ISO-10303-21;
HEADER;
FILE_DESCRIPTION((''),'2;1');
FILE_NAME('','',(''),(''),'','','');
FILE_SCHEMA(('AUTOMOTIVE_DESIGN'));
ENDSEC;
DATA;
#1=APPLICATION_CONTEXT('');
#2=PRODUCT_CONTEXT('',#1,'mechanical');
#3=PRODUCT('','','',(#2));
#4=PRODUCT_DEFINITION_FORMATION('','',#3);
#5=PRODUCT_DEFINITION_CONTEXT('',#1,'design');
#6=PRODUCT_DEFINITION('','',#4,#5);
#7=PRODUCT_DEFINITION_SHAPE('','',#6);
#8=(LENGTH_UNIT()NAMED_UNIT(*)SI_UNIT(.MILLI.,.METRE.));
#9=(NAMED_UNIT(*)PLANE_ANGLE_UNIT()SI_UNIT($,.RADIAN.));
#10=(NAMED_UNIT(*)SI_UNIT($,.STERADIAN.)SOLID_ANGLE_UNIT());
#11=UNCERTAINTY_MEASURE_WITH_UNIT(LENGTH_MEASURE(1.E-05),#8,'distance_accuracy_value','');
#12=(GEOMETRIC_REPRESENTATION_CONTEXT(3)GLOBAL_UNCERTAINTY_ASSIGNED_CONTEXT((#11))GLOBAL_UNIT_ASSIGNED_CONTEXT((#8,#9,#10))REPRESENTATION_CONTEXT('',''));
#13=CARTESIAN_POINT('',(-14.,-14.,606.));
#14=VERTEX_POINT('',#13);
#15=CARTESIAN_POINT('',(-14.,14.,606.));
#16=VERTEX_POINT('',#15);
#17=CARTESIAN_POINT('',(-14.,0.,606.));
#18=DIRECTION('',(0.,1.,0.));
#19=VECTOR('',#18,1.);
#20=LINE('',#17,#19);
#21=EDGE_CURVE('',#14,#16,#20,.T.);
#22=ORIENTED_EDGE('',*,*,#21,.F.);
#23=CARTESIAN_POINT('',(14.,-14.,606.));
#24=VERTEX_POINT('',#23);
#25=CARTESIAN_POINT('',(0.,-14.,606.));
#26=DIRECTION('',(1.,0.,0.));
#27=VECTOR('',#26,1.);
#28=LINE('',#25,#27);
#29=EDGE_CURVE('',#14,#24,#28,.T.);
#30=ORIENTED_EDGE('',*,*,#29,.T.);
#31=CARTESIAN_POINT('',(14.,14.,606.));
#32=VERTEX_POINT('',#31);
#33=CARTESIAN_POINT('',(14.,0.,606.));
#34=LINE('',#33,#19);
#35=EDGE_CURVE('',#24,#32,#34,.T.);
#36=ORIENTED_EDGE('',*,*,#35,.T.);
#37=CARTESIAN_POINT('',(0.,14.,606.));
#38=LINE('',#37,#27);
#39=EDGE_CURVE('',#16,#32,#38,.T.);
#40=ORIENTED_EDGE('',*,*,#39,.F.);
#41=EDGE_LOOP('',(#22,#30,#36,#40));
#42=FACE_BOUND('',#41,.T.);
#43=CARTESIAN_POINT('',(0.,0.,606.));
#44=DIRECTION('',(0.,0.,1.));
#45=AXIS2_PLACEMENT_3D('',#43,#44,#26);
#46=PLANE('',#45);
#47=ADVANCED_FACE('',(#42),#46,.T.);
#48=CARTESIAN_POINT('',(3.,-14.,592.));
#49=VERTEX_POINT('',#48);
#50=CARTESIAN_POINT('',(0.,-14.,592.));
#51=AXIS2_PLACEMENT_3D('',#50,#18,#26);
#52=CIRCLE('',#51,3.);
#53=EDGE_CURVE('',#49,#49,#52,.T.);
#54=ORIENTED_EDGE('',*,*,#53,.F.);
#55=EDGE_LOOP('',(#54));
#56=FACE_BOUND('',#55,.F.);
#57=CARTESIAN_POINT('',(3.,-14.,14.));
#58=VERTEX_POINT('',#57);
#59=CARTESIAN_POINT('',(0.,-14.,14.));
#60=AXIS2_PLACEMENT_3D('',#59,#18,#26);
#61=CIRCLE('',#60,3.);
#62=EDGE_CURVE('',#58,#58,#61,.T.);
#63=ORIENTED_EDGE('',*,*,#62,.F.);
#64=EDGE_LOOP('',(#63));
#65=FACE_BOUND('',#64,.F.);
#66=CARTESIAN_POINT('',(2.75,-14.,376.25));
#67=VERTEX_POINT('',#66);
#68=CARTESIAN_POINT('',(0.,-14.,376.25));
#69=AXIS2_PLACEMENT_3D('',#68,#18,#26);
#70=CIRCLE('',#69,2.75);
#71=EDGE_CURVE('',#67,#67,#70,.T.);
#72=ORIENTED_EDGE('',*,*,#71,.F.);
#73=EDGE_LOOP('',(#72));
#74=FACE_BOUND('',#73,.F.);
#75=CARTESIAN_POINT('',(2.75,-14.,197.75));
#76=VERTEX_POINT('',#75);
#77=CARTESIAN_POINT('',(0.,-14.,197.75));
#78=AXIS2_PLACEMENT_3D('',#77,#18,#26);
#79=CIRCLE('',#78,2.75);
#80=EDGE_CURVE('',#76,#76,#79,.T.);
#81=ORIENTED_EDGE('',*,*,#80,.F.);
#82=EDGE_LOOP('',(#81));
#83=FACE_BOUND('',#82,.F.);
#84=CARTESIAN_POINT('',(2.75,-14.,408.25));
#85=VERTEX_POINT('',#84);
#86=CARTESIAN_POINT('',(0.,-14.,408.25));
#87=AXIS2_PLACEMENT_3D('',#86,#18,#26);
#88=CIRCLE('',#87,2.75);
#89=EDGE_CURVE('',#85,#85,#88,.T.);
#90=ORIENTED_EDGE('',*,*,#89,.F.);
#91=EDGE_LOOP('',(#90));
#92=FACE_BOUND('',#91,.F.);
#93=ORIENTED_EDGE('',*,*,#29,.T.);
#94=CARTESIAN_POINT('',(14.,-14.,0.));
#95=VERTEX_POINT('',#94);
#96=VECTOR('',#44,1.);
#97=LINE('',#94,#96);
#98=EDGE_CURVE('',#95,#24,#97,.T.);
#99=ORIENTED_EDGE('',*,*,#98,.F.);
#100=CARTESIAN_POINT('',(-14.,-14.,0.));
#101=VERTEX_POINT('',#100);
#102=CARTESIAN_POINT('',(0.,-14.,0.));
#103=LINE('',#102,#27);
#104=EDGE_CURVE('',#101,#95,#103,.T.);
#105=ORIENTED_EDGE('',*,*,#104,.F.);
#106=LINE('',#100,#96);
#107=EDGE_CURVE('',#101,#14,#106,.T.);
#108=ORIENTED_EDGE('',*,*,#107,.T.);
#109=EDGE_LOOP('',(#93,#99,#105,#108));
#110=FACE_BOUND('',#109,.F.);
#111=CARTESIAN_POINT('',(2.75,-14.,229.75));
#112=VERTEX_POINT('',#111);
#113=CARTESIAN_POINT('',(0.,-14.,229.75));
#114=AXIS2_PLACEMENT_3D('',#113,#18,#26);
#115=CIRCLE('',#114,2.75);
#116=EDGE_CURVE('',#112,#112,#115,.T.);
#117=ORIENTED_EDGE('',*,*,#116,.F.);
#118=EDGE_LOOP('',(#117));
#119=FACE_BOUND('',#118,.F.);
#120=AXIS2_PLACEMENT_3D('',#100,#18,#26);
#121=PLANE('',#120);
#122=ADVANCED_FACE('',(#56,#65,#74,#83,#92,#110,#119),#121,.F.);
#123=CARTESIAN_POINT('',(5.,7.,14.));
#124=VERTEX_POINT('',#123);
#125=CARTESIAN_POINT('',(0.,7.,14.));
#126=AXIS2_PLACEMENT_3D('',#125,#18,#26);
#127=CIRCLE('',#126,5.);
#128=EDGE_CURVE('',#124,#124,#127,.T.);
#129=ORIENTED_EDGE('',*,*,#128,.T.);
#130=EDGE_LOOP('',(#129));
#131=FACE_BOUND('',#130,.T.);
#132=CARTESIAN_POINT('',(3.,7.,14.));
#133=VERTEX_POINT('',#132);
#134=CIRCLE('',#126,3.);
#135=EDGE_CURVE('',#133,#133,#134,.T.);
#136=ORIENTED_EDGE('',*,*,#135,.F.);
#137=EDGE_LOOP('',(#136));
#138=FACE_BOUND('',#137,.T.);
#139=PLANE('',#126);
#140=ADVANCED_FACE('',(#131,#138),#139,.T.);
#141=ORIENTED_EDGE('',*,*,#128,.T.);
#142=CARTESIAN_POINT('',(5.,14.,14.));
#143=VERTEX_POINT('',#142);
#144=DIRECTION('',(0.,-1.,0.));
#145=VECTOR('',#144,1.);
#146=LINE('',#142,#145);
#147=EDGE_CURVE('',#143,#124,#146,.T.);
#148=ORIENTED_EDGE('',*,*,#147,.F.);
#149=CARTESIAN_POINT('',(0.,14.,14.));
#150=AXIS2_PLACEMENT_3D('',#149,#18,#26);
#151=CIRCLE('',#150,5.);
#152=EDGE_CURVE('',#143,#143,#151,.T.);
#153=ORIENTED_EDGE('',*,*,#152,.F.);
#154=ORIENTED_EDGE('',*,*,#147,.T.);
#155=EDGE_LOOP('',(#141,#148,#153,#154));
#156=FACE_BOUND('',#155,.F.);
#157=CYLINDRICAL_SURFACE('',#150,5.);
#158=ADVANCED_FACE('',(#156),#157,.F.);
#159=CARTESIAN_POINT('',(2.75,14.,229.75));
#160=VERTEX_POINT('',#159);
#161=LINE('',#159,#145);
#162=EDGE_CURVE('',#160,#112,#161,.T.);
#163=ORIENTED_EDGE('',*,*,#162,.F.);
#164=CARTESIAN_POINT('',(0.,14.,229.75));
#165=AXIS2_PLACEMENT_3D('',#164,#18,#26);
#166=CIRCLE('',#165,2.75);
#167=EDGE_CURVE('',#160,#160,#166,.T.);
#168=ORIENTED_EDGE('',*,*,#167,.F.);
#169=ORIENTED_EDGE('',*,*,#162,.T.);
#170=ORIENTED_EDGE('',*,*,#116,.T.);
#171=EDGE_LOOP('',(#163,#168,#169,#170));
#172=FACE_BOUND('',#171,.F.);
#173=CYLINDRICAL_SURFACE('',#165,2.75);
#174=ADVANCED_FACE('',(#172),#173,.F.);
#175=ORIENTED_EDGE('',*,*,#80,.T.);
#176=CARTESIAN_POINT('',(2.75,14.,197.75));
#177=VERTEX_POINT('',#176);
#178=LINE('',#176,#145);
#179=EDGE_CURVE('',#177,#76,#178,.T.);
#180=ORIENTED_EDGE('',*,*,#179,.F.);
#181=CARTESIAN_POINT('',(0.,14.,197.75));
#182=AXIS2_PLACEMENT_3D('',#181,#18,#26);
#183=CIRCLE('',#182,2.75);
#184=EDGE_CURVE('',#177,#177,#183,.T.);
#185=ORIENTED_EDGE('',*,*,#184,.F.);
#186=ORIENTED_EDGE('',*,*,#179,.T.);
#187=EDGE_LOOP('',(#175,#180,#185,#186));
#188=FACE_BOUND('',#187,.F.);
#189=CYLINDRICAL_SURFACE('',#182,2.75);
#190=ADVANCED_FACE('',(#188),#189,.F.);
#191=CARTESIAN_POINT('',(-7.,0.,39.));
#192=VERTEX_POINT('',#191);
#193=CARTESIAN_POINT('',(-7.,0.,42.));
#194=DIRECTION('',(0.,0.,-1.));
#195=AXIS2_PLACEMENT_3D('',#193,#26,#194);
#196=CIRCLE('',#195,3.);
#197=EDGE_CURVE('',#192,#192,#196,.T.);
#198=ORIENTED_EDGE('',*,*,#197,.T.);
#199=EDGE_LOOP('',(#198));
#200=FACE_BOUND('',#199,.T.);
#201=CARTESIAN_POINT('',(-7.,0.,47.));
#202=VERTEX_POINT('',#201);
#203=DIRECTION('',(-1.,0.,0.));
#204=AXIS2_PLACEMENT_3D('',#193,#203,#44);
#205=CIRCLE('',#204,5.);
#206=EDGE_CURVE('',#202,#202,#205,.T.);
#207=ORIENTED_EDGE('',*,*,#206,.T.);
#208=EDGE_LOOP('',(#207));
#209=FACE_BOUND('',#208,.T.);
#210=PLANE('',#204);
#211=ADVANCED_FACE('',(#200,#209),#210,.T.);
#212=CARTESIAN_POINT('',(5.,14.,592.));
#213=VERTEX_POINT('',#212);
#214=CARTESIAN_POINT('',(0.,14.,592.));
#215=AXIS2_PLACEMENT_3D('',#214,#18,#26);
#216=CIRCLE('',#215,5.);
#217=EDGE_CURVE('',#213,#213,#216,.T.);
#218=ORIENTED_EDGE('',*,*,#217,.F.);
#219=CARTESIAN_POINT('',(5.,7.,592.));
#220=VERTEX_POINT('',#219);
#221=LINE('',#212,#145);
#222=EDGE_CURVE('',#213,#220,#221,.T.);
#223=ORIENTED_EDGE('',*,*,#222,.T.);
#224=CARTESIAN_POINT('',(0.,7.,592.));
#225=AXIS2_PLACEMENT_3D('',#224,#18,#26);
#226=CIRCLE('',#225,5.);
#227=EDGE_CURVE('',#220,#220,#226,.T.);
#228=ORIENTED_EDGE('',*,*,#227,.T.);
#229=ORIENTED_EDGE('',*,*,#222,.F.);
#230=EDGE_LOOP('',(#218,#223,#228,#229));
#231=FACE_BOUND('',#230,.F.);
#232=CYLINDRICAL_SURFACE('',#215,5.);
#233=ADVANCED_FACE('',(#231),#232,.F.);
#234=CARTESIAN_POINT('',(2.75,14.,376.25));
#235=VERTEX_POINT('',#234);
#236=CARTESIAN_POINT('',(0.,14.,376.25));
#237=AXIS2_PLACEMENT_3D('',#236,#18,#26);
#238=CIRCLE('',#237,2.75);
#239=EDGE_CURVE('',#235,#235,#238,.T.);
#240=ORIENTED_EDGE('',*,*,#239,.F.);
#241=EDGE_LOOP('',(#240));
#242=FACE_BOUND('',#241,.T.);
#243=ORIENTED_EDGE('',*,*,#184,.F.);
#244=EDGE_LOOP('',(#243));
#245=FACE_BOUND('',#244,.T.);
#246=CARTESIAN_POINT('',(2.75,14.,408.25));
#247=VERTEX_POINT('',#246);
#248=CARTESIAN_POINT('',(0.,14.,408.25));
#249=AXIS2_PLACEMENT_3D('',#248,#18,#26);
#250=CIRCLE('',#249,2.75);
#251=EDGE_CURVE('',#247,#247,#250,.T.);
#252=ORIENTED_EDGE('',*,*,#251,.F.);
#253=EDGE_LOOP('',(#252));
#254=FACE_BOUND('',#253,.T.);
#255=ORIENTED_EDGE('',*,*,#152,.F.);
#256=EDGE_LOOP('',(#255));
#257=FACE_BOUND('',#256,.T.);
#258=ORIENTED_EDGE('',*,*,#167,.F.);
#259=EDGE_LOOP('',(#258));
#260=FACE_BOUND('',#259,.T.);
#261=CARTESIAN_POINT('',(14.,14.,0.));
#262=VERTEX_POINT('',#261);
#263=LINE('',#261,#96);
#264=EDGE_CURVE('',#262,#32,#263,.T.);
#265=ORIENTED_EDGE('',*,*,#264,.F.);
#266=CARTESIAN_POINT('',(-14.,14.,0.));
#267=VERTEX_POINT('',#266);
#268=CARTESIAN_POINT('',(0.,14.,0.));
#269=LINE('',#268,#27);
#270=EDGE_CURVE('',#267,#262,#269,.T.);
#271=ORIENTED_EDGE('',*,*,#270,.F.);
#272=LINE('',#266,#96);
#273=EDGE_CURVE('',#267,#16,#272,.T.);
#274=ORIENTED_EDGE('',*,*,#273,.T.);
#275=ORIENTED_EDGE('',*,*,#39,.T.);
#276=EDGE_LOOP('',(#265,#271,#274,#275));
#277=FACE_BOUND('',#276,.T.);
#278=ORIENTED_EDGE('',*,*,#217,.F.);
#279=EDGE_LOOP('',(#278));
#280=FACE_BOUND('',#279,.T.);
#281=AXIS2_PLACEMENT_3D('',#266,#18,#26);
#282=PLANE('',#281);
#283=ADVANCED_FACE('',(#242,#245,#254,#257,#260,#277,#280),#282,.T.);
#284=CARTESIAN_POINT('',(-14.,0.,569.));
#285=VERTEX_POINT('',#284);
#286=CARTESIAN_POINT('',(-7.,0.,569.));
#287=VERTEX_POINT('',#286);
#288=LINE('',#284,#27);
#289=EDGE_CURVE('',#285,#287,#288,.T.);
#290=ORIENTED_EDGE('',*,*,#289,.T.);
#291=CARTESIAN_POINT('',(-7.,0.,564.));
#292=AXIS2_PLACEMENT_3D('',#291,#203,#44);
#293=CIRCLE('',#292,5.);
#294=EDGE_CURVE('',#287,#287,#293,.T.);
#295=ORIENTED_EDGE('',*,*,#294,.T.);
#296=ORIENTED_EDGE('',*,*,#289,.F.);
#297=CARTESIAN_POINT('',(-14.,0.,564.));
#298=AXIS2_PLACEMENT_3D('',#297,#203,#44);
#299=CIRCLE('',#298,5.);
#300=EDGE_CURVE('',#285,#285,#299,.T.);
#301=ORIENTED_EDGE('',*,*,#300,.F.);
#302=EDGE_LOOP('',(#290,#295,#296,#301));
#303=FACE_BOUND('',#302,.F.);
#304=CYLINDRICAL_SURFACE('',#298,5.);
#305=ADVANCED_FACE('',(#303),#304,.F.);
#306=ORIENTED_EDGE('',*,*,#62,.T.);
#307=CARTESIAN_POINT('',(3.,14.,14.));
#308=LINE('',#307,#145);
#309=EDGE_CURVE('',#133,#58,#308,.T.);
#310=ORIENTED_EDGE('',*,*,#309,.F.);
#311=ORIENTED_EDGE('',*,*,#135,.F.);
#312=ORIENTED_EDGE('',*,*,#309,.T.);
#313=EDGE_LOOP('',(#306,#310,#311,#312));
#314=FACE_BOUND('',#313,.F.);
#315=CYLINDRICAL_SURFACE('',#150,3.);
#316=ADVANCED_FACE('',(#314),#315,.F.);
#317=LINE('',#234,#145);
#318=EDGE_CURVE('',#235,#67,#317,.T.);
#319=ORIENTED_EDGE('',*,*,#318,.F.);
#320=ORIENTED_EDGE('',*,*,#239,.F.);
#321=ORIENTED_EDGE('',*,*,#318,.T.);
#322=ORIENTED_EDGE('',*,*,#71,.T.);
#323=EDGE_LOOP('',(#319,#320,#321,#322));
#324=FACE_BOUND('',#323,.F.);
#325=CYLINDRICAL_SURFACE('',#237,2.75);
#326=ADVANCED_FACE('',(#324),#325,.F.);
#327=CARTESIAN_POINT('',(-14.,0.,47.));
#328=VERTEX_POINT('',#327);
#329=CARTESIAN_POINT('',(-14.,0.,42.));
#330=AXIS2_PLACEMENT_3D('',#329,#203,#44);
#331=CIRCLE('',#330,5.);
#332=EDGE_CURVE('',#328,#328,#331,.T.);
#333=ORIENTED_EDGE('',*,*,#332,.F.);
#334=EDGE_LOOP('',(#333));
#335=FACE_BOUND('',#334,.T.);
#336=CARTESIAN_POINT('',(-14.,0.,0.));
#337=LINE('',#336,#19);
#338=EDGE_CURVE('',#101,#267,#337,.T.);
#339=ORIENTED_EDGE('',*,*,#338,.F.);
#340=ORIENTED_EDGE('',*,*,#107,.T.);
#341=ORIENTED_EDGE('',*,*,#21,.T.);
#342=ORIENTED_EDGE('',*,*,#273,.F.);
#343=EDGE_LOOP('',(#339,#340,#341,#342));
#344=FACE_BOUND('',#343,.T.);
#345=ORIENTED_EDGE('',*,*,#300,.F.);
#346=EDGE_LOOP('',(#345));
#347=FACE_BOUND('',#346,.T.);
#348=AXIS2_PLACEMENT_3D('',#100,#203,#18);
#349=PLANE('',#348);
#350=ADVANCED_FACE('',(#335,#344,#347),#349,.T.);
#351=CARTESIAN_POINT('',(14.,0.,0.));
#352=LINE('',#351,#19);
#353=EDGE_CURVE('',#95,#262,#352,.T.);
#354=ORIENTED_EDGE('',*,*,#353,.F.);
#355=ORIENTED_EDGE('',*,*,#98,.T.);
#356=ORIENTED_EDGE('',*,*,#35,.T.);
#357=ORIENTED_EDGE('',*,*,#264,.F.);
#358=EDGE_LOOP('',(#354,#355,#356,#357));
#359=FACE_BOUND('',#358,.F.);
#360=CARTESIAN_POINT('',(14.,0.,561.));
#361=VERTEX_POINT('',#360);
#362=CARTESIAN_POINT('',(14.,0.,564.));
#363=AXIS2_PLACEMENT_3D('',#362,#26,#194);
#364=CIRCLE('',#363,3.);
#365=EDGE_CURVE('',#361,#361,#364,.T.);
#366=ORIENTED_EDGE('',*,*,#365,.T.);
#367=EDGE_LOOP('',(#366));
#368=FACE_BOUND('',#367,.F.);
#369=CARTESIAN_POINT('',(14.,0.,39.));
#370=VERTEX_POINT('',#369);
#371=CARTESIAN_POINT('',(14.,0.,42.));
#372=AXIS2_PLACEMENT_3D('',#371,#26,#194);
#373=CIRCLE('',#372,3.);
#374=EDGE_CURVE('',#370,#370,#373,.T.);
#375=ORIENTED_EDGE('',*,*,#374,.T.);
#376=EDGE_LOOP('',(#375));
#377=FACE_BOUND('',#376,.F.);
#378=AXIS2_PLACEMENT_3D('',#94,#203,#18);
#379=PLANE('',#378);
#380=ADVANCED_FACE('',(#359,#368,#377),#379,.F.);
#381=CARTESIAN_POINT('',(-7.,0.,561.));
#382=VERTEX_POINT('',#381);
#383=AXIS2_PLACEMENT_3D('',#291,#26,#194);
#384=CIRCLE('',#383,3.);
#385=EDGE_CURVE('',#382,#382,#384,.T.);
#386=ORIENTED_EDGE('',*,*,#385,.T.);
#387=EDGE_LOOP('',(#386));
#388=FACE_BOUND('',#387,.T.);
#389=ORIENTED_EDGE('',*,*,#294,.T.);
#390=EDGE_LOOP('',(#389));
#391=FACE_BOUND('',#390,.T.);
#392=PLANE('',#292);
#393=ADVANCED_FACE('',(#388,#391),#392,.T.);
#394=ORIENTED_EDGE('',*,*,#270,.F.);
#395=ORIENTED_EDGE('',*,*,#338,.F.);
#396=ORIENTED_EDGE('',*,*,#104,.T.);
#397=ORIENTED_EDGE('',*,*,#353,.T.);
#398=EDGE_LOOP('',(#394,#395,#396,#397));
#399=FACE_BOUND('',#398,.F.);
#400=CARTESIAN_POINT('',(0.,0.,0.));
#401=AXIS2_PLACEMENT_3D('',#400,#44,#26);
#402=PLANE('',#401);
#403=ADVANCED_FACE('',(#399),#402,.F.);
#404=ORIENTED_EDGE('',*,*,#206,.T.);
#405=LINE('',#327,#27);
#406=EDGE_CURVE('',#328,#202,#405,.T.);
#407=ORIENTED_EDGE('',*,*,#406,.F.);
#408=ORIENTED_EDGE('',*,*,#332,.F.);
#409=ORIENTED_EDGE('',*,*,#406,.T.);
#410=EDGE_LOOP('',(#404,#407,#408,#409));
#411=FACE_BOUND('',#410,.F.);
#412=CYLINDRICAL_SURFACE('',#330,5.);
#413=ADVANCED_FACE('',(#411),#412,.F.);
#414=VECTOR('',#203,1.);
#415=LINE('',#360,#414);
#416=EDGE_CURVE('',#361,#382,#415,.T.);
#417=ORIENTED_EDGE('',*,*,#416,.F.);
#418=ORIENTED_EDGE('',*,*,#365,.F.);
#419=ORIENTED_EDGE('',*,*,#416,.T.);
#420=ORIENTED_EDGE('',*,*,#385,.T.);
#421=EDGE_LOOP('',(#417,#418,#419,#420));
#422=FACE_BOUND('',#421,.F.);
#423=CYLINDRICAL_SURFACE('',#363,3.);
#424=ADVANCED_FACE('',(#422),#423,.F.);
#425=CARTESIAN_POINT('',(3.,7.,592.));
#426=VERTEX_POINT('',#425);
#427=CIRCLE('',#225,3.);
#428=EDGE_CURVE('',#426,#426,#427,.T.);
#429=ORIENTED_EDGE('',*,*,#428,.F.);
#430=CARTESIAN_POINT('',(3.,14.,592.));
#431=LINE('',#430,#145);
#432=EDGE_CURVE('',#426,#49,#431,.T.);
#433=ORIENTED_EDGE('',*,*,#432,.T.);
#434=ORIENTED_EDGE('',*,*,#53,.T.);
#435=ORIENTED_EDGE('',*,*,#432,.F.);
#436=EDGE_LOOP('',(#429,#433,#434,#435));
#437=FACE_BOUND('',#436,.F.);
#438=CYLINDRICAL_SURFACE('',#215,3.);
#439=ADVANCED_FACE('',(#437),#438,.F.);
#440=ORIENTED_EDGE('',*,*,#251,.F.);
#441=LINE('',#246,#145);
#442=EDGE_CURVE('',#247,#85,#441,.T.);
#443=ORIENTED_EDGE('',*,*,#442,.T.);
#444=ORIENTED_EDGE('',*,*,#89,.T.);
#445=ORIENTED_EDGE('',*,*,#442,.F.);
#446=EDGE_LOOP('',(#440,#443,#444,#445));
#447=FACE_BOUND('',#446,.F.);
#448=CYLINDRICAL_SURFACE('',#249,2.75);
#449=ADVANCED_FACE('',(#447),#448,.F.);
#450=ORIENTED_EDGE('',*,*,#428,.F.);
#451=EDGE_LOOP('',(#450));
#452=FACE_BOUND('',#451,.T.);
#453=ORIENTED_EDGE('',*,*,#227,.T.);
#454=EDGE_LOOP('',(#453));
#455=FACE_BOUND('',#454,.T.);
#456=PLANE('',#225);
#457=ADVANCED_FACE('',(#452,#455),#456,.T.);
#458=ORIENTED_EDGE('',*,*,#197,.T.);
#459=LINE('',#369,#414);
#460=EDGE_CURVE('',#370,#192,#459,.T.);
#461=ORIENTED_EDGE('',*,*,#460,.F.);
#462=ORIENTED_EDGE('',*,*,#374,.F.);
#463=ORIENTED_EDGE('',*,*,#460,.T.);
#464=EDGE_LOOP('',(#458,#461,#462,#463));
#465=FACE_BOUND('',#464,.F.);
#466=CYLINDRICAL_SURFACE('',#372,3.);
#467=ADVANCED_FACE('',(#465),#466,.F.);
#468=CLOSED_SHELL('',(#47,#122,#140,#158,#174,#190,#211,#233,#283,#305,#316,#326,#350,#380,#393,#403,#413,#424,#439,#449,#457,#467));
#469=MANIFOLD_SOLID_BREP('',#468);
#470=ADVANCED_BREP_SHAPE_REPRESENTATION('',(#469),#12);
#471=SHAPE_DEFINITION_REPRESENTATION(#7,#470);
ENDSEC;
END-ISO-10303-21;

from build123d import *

# Parameters (mm, degrees)
IZIM1_W                     = 28
IZIM1_H                     = 28
Y_KSEKLIK_EKSTR_ZYON1_DEPTH = 606
IZIM2_R                     = 3
KES_EKSTR_ZYON1_DEPTH       = 40
IZIM4_R                     = 5
KES_EKSTR_ZYON2_DEPTH       = 7
IZIM5_R                     = 3
KES_EKSTR_ZYON3_DEPTH       = 1
KES_EKSTR_ZYON3_DEPTH_BACK  = 29
IZIM6_R                     = 5
KES_EKSTR_ZYON4_DEPTH       = 7
IZIM8_R                     = 2.75
KES_EKSTR_ZYON6_DEPTH       = 29


with BuildPart() as part:
    # Çizim1 → Yükseklik-Ekstrüzyon1 (new body)
    with BuildSketch(Plane.XY):
        Rectangle(IZIM1_W, IZIM1_H)
    extrude(amount=Y_KSEKLIK_EKSTR_ZYON1_DEPTH)

    # Çizim2 → Kes-Ekstrüzyon1 (cut)
    with BuildSketch(Plane(origin=(14, 0, 0), x_dir=(0, 0, -1), z_dir=(1, 0, 0))):
        with Locations((-42, 0)):
            Circle(IZIM2_R)
        with Locations((-564, 0)):
            Circle(IZIM2_R)
    extrude(amount=-KES_EKSTR_ZYON1_DEPTH, mode=Mode.SUBTRACT)

    # Çizim4 → Kes-Ekstrüzyon2 (cut)
    with BuildSketch(Plane.ZY.offset(14)):
        with Locations((42, 0)):
            Circle(IZIM4_R)
        with Locations((564, 0)):
            Circle(IZIM4_R)
    extrude(amount=-KES_EKSTR_ZYON2_DEPTH, mode=Mode.SUBTRACT)

    # Çizim5 → Kes-Ekstrüzyon3 (cut, two sides)
    with BuildSketch(Plane(origin=(0, 14, 0), x_dir=(1, 0, 0), z_dir=(0, 1, 0))) as kes_ekstr_zyon3_sk:
        with Locations((0, -592)):
            Circle(IZIM5_R)
        with Locations((0, -14)):
            Circle(IZIM5_R)
    extrude(amount=KES_EKSTR_ZYON3_DEPTH, mode=Mode.SUBTRACT)
    extrude(kes_ekstr_zyon3_sk.sketch, amount=-KES_EKSTR_ZYON3_DEPTH_BACK, mode=Mode.SUBTRACT)

    # Çizim6 → Kes-Ekstrüzyon4 (cut)
    with BuildSketch(Plane(origin=(0, 14, 0), x_dir=(1, 0, 0), z_dir=(0, 1, 0))):
        with Locations((0, -14)):
            Circle(IZIM6_R)
        with Locations((0, -592)):
            Circle(IZIM6_R)
    extrude(amount=-KES_EKSTR_ZYON4_DEPTH, mode=Mode.SUBTRACT)

    # Çizim8 → Kes-Ekstrüzyon6 (cut, through all)
    with BuildSketch(Plane(origin=(0, 14, 0), x_dir=(1, 0, 0), z_dir=(0, 1, 0))):
        with Locations((0, -408.25)):
            Circle(IZIM8_R)
        with Locations((0, -376.25)):
            Circle(IZIM8_R)
        with Locations((0, -229.75)):
            Circle(IZIM8_R)
        with Locations((0, -197.75)):
            Circle(IZIM8_R)
    extrude(amount=-KES_EKSTR_ZYON6_DEPTH, mode=Mode.SUBTRACT)


solid = part.part
